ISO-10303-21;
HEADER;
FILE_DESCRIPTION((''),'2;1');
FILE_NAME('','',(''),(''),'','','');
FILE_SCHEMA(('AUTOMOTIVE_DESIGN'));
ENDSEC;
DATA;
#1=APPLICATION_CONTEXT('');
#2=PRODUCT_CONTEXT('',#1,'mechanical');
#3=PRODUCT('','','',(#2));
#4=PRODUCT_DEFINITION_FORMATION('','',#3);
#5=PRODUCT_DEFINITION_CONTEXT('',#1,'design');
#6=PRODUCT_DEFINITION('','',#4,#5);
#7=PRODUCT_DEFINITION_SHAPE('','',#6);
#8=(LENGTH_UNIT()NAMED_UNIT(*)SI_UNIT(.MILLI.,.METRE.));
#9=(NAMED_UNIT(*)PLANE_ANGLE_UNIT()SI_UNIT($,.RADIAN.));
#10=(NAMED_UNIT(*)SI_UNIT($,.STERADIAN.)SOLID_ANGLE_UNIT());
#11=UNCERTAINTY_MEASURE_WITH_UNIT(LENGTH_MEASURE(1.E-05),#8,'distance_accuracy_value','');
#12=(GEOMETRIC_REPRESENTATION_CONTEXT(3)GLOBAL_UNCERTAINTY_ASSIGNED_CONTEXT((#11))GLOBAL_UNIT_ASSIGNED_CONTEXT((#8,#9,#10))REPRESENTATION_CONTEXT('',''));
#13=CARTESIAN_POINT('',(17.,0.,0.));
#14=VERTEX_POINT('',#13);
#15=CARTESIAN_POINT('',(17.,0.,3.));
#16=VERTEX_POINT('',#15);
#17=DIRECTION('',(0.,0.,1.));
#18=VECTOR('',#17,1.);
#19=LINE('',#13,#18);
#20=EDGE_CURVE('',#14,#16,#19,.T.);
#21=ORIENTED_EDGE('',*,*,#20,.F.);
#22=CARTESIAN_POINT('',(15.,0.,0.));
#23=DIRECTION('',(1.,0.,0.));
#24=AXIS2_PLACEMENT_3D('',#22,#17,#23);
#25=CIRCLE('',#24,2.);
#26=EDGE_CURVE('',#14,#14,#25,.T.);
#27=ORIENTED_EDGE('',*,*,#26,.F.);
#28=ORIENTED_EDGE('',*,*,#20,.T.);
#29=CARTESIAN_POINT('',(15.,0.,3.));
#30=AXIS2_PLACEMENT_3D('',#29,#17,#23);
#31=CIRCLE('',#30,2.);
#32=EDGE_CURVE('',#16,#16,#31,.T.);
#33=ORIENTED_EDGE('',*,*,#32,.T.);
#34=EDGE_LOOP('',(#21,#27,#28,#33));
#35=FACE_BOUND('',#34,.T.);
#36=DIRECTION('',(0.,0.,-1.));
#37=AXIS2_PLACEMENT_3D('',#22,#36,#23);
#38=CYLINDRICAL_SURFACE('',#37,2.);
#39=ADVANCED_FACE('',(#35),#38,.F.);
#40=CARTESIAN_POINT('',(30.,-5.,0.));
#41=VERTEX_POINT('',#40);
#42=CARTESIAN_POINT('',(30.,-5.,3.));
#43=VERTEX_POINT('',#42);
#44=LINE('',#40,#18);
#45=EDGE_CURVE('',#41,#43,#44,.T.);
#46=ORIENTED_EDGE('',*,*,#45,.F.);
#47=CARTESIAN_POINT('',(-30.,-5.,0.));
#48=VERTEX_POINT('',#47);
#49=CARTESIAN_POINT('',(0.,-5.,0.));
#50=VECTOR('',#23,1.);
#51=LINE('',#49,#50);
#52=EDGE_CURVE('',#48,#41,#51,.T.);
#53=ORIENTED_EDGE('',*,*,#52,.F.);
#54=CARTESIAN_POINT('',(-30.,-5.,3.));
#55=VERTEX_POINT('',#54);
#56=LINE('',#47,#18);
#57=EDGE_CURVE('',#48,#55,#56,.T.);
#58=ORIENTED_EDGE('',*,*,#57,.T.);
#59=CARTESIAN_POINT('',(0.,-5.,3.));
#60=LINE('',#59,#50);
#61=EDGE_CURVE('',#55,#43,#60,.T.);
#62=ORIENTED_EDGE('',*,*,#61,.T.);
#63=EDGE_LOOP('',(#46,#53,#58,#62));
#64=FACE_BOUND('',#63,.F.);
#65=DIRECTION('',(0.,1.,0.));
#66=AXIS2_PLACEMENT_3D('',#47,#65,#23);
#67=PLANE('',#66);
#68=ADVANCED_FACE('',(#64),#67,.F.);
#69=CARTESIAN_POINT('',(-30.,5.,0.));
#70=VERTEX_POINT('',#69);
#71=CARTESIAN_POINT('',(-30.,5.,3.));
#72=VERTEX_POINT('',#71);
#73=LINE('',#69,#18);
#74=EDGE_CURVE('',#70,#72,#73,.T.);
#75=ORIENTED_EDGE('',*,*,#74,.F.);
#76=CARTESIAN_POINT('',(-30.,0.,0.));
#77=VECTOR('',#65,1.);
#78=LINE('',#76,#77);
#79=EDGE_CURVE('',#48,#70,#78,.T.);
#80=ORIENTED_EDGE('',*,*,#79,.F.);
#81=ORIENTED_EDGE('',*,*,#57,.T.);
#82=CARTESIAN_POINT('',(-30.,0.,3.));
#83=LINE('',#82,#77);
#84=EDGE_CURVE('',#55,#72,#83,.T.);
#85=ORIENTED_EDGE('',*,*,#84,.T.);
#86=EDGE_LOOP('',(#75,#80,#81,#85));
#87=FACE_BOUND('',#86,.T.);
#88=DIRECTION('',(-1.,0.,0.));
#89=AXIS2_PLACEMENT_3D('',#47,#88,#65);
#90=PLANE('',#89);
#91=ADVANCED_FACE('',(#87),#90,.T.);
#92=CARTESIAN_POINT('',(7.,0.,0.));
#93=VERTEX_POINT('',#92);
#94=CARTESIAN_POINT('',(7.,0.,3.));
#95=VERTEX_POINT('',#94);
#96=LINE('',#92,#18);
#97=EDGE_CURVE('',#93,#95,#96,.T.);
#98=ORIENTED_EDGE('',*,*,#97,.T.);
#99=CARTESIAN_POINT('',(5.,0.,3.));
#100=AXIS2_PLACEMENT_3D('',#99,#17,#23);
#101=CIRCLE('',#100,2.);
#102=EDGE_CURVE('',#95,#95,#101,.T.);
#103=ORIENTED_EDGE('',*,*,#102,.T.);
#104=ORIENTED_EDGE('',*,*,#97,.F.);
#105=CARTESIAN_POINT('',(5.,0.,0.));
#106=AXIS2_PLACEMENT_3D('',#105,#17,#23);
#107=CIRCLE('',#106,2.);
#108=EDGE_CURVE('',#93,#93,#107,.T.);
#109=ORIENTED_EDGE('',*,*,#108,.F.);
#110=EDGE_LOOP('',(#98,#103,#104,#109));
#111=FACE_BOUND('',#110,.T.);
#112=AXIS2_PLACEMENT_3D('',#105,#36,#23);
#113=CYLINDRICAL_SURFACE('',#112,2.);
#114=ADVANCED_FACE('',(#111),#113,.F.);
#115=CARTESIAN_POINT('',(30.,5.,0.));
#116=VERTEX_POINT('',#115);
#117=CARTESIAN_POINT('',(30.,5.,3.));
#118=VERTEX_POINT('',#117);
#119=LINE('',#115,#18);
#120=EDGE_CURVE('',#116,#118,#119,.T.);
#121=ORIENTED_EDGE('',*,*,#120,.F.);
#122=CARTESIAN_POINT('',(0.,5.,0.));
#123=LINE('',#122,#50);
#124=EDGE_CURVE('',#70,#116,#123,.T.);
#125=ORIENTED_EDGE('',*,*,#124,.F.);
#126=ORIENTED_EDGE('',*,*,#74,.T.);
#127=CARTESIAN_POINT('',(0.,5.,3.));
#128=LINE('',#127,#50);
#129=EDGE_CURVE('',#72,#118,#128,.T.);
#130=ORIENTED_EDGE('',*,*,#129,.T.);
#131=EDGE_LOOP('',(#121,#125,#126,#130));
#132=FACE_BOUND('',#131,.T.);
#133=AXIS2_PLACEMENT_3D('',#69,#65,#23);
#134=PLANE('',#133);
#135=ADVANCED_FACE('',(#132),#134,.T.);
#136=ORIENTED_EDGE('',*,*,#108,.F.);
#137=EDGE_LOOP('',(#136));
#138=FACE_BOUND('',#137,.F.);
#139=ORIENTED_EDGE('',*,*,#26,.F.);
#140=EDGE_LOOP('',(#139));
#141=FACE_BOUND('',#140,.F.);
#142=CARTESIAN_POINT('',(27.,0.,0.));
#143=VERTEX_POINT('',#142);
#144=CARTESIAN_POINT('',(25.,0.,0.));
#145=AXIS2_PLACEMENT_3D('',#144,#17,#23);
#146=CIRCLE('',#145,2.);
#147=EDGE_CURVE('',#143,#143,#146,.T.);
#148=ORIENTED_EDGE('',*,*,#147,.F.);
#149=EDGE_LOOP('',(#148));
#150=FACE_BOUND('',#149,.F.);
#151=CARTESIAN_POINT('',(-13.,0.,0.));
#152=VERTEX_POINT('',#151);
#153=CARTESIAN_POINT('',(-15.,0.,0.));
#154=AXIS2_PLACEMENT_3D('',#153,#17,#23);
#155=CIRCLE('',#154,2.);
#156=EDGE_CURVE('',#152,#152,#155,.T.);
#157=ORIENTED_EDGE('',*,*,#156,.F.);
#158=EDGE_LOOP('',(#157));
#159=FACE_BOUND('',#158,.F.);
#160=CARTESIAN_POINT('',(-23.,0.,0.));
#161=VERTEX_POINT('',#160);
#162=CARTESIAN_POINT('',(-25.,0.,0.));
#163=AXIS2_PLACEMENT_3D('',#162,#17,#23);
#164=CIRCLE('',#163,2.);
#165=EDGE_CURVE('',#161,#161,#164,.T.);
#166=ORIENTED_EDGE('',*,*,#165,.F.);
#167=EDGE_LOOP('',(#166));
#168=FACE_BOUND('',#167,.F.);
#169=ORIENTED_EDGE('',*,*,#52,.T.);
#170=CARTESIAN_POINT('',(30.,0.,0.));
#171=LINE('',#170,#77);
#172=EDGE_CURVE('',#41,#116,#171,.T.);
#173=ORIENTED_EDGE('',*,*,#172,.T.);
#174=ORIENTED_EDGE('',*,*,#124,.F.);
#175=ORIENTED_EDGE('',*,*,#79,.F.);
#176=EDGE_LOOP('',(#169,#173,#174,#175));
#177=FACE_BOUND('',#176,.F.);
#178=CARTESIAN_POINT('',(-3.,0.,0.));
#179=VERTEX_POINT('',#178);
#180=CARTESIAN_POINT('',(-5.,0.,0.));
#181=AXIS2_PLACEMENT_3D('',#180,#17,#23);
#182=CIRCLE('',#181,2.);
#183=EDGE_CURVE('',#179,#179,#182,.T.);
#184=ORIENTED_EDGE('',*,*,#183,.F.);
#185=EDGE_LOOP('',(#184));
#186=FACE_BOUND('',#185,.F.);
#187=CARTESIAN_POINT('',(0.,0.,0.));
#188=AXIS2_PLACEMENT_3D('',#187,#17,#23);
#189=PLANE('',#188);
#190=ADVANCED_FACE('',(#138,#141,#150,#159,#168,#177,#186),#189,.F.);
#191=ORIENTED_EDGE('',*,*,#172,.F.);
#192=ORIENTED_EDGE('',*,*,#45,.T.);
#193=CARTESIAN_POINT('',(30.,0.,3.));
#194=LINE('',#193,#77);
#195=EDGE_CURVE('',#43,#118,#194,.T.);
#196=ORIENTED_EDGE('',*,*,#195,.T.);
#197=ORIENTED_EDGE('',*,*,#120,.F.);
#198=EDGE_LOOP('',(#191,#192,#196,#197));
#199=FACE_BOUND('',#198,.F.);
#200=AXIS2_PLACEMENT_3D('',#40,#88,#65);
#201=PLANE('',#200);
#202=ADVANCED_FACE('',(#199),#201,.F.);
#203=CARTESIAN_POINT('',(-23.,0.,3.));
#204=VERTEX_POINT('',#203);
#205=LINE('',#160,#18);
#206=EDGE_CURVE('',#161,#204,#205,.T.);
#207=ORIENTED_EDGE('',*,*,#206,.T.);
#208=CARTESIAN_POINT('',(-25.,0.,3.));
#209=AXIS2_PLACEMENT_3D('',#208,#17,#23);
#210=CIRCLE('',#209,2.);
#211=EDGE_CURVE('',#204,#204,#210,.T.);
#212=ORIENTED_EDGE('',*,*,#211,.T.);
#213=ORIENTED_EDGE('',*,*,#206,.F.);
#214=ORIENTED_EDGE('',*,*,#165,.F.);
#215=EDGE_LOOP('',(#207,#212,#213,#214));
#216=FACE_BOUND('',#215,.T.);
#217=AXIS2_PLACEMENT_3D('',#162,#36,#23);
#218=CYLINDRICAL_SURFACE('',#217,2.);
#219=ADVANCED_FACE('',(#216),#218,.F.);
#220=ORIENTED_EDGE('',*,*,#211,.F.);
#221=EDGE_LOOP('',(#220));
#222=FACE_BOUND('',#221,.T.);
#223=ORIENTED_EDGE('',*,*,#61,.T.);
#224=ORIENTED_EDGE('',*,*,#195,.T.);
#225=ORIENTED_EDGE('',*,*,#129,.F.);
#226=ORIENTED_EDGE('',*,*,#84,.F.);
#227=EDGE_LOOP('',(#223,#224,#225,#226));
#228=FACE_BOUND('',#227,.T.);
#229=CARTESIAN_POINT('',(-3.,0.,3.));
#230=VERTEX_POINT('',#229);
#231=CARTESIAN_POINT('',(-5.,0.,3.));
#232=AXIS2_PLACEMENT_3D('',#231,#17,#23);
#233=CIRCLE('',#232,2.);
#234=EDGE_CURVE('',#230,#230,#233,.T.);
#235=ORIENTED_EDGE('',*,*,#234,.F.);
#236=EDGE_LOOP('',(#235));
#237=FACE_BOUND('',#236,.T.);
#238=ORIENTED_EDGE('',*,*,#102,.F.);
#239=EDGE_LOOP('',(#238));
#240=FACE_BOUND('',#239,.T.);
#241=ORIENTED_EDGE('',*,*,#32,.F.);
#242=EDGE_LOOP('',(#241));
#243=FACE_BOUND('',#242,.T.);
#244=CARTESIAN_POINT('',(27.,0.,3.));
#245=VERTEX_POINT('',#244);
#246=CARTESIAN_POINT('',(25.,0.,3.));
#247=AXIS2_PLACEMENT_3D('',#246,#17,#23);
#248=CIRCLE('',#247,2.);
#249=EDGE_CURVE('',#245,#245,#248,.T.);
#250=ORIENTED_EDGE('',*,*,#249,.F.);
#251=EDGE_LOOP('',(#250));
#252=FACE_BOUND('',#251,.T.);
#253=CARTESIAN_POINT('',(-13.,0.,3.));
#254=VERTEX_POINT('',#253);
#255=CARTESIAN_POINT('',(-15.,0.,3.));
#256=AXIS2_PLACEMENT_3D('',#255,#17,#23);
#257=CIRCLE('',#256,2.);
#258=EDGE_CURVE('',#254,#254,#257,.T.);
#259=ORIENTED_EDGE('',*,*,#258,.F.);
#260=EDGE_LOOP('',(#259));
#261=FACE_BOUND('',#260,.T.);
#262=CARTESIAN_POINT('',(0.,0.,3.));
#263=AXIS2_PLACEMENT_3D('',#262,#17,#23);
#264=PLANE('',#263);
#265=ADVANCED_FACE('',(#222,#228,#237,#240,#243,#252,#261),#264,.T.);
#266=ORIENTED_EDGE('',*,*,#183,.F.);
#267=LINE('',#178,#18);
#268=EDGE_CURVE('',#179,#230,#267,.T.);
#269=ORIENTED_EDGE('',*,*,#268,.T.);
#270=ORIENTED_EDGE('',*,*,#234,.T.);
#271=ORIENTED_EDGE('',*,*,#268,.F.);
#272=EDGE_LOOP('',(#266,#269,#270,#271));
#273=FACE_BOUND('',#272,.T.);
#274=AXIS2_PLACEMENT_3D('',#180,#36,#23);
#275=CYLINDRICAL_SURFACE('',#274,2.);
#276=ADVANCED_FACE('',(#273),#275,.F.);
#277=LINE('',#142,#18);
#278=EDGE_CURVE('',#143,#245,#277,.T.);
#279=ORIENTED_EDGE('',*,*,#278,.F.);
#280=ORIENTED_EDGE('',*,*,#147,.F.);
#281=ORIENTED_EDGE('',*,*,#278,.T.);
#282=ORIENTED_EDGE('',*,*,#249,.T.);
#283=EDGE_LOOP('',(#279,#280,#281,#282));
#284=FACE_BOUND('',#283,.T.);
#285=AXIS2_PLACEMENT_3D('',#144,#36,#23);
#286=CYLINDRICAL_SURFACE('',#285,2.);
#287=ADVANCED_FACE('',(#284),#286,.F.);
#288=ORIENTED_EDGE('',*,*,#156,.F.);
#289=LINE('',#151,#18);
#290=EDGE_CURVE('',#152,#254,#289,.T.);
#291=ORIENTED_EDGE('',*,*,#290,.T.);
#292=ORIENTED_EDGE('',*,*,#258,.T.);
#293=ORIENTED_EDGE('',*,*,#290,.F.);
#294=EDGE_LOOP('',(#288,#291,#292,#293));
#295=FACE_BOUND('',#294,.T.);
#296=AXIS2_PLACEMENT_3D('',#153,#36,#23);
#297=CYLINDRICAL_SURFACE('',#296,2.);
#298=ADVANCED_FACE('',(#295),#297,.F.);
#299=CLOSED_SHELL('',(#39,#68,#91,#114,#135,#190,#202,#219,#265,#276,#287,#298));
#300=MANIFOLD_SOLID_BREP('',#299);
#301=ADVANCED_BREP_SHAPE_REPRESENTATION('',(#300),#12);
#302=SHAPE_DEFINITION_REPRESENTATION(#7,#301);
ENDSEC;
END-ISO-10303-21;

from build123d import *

# Parameters (mm, degrees)
SKETCH_W  = 60
SKETCH_H  = 10
SKETCH_R  = 2
PAD_DEPTH = 3


with BuildPart() as part:
    # Sketch → Pad (new body)
    with BuildSketch(Plane.XY):
        Rectangle(SKETCH_W, SKETCH_H)
        with Locations((-25, 0)):
            Circle(SKETCH_R, mode=Mode.SUBTRACT)
        with Locations((-15, 0)):
            Circle(SKETCH_R, mode=Mode.SUBTRACT)
        with Locations((-5, 0)):
            Circle(SKETCH_R, mode=Mode.SUBTRACT)
        with Locations((5, 0)):
            Circle(SKETCH_R, mode=Mode.SUBTRACT)
        with Locations((15, 0)):
            Circle(SKETCH_R, mode=Mode.SUBTRACT)
        with Locations((25, 0)):
            Circle(SKETCH_R, mode=Mode.SUBTRACT)
    extrude(amount=PAD_DEPTH)


solid = part.part
